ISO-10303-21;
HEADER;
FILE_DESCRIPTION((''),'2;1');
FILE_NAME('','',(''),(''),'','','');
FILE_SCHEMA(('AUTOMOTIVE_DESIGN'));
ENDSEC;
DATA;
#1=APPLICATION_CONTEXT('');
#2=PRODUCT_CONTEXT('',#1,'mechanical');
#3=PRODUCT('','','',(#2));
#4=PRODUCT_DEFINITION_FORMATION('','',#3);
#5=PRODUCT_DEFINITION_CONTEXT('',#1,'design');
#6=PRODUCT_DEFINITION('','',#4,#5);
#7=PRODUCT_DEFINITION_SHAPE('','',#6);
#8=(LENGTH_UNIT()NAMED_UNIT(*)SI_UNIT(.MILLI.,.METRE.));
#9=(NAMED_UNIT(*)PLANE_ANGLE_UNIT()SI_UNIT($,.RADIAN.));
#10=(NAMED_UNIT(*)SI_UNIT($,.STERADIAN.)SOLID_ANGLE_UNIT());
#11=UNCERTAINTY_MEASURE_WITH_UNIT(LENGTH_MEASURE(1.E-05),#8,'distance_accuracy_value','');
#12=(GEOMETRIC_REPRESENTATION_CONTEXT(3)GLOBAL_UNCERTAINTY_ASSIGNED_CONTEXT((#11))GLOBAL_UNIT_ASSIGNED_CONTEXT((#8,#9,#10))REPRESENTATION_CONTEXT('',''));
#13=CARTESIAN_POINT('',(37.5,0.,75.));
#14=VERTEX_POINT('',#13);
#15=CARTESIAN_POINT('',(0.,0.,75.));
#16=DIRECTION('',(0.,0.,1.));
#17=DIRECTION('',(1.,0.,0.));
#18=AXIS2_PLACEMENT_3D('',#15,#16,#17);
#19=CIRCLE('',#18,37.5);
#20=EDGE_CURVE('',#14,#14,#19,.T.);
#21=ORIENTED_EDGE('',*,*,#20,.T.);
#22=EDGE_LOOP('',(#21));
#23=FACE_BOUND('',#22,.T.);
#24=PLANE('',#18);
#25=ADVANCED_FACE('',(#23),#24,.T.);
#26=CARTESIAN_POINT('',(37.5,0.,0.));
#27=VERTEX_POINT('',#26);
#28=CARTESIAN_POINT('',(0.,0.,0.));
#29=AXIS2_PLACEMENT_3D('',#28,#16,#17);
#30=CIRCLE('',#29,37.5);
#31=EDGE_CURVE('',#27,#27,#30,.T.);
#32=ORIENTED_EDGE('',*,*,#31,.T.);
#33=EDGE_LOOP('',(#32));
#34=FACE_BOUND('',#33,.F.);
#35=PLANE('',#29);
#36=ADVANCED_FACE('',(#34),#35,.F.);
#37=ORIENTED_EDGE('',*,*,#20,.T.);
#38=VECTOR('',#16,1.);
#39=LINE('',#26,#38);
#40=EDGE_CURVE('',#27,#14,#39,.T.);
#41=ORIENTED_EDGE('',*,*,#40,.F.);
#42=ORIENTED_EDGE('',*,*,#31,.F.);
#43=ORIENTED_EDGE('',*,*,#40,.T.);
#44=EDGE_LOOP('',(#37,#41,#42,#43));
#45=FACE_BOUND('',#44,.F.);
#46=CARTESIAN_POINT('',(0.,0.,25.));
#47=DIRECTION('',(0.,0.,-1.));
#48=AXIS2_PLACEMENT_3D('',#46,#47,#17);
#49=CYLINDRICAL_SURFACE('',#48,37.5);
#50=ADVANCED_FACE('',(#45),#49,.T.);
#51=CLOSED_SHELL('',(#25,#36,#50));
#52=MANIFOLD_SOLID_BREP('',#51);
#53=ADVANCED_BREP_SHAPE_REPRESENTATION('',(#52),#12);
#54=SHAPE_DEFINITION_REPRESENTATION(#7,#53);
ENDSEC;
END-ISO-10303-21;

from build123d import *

# Parameters (mm, degrees)
F0_R      = 37.5
F0_R_2    = 22.610038
F1_DEPTH  = 25
F1_FACE_R = 37.5
F2_DEPTH  = 50


with BuildPart() as f1:
    # F0 (on Top) → F1 (new body)
    with BuildSketch(Plane.XY):
        Circle(F0_R)
        Circle(F0_R_2, mode=Mode.SUBTRACT)
        Circle(F0_R_2)
    extrude(amount=F1_DEPTH)

    # F1_face (on face) → F2 (join)
    with BuildSketch(Plane.XY.offset(25)):
        Circle(F1_FACE_R)
    extrude(amount=F2_DEPTH)


solid = f1.part
